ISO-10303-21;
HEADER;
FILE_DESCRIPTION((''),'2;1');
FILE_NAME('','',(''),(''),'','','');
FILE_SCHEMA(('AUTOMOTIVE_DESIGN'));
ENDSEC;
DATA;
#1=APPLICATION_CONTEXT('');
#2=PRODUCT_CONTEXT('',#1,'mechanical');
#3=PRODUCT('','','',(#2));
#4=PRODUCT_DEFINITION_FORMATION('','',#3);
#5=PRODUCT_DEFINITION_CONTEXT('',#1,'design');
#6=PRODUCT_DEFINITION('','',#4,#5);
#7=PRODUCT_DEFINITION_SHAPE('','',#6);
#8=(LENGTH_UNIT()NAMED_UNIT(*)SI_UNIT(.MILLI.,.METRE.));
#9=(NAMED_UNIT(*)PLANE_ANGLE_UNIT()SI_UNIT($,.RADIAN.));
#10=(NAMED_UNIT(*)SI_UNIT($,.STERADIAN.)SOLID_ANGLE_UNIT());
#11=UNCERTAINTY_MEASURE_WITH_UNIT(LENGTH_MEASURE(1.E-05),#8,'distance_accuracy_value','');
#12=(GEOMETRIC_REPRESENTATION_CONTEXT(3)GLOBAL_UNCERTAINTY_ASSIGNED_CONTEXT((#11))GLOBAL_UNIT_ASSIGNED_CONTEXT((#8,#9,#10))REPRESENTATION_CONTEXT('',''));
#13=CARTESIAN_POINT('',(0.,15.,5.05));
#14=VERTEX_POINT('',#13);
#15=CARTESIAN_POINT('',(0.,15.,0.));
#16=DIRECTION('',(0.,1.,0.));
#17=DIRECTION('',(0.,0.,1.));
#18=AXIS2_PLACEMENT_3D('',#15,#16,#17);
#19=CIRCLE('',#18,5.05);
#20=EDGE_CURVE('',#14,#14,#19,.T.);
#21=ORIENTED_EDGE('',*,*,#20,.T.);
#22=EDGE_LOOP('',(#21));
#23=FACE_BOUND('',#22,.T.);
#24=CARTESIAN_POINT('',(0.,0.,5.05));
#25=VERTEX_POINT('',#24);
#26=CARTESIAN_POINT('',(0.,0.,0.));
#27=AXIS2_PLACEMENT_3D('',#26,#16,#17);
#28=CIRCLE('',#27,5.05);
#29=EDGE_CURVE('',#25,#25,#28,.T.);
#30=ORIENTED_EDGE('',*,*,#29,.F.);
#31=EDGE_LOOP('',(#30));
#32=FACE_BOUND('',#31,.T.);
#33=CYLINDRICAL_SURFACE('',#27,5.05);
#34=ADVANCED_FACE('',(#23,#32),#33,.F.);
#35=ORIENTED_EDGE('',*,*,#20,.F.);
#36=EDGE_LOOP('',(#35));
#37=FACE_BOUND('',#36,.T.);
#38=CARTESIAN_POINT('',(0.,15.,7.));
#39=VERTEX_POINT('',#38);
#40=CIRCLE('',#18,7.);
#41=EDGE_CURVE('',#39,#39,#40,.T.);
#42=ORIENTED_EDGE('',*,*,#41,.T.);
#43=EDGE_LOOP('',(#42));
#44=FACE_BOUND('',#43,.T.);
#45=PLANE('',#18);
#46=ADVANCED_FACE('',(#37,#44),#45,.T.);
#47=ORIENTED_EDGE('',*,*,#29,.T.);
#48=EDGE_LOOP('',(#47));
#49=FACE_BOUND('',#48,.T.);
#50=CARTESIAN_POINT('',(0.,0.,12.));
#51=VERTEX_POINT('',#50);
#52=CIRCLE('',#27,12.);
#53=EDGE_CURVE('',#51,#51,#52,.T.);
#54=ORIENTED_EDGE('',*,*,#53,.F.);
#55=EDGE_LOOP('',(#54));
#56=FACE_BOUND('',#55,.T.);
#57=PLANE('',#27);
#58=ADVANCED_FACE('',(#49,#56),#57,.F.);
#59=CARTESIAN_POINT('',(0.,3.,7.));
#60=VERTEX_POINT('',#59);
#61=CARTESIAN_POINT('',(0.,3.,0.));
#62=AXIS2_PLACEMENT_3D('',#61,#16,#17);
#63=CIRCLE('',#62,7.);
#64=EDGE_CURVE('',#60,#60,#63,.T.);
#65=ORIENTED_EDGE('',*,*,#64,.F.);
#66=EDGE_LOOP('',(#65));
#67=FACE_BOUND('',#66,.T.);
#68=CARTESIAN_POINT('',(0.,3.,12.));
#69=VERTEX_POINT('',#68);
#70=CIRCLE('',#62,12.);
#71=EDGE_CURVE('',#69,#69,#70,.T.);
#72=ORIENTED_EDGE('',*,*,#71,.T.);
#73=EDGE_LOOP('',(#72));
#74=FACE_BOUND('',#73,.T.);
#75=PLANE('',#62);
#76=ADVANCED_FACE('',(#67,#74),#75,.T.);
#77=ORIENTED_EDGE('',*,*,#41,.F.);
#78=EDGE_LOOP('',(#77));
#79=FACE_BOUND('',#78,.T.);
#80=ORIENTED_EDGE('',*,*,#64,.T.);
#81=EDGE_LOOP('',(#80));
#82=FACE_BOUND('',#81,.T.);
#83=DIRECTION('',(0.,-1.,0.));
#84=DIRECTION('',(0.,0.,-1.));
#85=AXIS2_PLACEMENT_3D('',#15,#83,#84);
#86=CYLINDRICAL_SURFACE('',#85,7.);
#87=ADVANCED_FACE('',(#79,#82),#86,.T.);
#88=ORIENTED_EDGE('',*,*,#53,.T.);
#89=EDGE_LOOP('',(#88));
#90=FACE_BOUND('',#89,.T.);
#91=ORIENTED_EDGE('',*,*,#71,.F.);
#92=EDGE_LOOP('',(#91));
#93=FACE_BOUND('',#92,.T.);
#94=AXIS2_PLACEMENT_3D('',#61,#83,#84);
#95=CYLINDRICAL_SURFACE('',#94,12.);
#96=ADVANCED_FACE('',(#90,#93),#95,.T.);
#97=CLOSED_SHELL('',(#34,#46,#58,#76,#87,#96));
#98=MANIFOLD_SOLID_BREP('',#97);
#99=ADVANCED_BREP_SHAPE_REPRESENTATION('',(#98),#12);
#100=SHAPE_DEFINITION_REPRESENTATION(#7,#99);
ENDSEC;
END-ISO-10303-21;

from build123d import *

# Parameters (mm, degrees)
ESBO_O1_R                = 12
RESSALTO_EXTRUS_O1_DEPTH = 3
ESBO_O2_R                = 7
RESSALTO_EXTRUS_O2_DEPTH = 12
ESBO_O3_R                = 5.05
CORTE_EXTRUS_O1_DEPTH    = 23.649503306


with BuildPart() as part:
    # Esboço1 → Ressalto-extrusão1 (new body)
    with BuildSketch(Plane(origin=(0, 0, 0), x_dir=(1, 0, 0), z_dir=(0, 1, 0))):
        with Locations(Location((0, 0, 0), (0, 0, 270))):
            Circle(ESBO_O1_R)
    extrude(amount=RESSALTO_EXTRUS_O1_DEPTH)

    # Esboço2 → Ressalto-extrusão2 (add)
    with BuildSketch(Plane(origin=(0, 3, 0), x_dir=(1, 0, 0), z_dir=(0, 1, 0))):
        with Locations(Location((0, 0, 0), (0, 0, 270))):
            Circle(ESBO_O2_R)
    extrude(amount=RESSALTO_EXTRUS_O2_DEPTH)

    # Esboço3 → Corte-extrusão1 (cut, through all)
    with BuildSketch(Plane(origin=(0, 15, 0), x_dir=(1, 0, 0), z_dir=(0, 1, 0))):
        with Locations(Location((0, 0, 0), (0, 0, 270))):
            Circle(ESBO_O3_R)
    extrude(amount=-CORTE_EXTRUS_O1_DEPTH, mode=Mode.SUBTRACT)


solid = part.part
